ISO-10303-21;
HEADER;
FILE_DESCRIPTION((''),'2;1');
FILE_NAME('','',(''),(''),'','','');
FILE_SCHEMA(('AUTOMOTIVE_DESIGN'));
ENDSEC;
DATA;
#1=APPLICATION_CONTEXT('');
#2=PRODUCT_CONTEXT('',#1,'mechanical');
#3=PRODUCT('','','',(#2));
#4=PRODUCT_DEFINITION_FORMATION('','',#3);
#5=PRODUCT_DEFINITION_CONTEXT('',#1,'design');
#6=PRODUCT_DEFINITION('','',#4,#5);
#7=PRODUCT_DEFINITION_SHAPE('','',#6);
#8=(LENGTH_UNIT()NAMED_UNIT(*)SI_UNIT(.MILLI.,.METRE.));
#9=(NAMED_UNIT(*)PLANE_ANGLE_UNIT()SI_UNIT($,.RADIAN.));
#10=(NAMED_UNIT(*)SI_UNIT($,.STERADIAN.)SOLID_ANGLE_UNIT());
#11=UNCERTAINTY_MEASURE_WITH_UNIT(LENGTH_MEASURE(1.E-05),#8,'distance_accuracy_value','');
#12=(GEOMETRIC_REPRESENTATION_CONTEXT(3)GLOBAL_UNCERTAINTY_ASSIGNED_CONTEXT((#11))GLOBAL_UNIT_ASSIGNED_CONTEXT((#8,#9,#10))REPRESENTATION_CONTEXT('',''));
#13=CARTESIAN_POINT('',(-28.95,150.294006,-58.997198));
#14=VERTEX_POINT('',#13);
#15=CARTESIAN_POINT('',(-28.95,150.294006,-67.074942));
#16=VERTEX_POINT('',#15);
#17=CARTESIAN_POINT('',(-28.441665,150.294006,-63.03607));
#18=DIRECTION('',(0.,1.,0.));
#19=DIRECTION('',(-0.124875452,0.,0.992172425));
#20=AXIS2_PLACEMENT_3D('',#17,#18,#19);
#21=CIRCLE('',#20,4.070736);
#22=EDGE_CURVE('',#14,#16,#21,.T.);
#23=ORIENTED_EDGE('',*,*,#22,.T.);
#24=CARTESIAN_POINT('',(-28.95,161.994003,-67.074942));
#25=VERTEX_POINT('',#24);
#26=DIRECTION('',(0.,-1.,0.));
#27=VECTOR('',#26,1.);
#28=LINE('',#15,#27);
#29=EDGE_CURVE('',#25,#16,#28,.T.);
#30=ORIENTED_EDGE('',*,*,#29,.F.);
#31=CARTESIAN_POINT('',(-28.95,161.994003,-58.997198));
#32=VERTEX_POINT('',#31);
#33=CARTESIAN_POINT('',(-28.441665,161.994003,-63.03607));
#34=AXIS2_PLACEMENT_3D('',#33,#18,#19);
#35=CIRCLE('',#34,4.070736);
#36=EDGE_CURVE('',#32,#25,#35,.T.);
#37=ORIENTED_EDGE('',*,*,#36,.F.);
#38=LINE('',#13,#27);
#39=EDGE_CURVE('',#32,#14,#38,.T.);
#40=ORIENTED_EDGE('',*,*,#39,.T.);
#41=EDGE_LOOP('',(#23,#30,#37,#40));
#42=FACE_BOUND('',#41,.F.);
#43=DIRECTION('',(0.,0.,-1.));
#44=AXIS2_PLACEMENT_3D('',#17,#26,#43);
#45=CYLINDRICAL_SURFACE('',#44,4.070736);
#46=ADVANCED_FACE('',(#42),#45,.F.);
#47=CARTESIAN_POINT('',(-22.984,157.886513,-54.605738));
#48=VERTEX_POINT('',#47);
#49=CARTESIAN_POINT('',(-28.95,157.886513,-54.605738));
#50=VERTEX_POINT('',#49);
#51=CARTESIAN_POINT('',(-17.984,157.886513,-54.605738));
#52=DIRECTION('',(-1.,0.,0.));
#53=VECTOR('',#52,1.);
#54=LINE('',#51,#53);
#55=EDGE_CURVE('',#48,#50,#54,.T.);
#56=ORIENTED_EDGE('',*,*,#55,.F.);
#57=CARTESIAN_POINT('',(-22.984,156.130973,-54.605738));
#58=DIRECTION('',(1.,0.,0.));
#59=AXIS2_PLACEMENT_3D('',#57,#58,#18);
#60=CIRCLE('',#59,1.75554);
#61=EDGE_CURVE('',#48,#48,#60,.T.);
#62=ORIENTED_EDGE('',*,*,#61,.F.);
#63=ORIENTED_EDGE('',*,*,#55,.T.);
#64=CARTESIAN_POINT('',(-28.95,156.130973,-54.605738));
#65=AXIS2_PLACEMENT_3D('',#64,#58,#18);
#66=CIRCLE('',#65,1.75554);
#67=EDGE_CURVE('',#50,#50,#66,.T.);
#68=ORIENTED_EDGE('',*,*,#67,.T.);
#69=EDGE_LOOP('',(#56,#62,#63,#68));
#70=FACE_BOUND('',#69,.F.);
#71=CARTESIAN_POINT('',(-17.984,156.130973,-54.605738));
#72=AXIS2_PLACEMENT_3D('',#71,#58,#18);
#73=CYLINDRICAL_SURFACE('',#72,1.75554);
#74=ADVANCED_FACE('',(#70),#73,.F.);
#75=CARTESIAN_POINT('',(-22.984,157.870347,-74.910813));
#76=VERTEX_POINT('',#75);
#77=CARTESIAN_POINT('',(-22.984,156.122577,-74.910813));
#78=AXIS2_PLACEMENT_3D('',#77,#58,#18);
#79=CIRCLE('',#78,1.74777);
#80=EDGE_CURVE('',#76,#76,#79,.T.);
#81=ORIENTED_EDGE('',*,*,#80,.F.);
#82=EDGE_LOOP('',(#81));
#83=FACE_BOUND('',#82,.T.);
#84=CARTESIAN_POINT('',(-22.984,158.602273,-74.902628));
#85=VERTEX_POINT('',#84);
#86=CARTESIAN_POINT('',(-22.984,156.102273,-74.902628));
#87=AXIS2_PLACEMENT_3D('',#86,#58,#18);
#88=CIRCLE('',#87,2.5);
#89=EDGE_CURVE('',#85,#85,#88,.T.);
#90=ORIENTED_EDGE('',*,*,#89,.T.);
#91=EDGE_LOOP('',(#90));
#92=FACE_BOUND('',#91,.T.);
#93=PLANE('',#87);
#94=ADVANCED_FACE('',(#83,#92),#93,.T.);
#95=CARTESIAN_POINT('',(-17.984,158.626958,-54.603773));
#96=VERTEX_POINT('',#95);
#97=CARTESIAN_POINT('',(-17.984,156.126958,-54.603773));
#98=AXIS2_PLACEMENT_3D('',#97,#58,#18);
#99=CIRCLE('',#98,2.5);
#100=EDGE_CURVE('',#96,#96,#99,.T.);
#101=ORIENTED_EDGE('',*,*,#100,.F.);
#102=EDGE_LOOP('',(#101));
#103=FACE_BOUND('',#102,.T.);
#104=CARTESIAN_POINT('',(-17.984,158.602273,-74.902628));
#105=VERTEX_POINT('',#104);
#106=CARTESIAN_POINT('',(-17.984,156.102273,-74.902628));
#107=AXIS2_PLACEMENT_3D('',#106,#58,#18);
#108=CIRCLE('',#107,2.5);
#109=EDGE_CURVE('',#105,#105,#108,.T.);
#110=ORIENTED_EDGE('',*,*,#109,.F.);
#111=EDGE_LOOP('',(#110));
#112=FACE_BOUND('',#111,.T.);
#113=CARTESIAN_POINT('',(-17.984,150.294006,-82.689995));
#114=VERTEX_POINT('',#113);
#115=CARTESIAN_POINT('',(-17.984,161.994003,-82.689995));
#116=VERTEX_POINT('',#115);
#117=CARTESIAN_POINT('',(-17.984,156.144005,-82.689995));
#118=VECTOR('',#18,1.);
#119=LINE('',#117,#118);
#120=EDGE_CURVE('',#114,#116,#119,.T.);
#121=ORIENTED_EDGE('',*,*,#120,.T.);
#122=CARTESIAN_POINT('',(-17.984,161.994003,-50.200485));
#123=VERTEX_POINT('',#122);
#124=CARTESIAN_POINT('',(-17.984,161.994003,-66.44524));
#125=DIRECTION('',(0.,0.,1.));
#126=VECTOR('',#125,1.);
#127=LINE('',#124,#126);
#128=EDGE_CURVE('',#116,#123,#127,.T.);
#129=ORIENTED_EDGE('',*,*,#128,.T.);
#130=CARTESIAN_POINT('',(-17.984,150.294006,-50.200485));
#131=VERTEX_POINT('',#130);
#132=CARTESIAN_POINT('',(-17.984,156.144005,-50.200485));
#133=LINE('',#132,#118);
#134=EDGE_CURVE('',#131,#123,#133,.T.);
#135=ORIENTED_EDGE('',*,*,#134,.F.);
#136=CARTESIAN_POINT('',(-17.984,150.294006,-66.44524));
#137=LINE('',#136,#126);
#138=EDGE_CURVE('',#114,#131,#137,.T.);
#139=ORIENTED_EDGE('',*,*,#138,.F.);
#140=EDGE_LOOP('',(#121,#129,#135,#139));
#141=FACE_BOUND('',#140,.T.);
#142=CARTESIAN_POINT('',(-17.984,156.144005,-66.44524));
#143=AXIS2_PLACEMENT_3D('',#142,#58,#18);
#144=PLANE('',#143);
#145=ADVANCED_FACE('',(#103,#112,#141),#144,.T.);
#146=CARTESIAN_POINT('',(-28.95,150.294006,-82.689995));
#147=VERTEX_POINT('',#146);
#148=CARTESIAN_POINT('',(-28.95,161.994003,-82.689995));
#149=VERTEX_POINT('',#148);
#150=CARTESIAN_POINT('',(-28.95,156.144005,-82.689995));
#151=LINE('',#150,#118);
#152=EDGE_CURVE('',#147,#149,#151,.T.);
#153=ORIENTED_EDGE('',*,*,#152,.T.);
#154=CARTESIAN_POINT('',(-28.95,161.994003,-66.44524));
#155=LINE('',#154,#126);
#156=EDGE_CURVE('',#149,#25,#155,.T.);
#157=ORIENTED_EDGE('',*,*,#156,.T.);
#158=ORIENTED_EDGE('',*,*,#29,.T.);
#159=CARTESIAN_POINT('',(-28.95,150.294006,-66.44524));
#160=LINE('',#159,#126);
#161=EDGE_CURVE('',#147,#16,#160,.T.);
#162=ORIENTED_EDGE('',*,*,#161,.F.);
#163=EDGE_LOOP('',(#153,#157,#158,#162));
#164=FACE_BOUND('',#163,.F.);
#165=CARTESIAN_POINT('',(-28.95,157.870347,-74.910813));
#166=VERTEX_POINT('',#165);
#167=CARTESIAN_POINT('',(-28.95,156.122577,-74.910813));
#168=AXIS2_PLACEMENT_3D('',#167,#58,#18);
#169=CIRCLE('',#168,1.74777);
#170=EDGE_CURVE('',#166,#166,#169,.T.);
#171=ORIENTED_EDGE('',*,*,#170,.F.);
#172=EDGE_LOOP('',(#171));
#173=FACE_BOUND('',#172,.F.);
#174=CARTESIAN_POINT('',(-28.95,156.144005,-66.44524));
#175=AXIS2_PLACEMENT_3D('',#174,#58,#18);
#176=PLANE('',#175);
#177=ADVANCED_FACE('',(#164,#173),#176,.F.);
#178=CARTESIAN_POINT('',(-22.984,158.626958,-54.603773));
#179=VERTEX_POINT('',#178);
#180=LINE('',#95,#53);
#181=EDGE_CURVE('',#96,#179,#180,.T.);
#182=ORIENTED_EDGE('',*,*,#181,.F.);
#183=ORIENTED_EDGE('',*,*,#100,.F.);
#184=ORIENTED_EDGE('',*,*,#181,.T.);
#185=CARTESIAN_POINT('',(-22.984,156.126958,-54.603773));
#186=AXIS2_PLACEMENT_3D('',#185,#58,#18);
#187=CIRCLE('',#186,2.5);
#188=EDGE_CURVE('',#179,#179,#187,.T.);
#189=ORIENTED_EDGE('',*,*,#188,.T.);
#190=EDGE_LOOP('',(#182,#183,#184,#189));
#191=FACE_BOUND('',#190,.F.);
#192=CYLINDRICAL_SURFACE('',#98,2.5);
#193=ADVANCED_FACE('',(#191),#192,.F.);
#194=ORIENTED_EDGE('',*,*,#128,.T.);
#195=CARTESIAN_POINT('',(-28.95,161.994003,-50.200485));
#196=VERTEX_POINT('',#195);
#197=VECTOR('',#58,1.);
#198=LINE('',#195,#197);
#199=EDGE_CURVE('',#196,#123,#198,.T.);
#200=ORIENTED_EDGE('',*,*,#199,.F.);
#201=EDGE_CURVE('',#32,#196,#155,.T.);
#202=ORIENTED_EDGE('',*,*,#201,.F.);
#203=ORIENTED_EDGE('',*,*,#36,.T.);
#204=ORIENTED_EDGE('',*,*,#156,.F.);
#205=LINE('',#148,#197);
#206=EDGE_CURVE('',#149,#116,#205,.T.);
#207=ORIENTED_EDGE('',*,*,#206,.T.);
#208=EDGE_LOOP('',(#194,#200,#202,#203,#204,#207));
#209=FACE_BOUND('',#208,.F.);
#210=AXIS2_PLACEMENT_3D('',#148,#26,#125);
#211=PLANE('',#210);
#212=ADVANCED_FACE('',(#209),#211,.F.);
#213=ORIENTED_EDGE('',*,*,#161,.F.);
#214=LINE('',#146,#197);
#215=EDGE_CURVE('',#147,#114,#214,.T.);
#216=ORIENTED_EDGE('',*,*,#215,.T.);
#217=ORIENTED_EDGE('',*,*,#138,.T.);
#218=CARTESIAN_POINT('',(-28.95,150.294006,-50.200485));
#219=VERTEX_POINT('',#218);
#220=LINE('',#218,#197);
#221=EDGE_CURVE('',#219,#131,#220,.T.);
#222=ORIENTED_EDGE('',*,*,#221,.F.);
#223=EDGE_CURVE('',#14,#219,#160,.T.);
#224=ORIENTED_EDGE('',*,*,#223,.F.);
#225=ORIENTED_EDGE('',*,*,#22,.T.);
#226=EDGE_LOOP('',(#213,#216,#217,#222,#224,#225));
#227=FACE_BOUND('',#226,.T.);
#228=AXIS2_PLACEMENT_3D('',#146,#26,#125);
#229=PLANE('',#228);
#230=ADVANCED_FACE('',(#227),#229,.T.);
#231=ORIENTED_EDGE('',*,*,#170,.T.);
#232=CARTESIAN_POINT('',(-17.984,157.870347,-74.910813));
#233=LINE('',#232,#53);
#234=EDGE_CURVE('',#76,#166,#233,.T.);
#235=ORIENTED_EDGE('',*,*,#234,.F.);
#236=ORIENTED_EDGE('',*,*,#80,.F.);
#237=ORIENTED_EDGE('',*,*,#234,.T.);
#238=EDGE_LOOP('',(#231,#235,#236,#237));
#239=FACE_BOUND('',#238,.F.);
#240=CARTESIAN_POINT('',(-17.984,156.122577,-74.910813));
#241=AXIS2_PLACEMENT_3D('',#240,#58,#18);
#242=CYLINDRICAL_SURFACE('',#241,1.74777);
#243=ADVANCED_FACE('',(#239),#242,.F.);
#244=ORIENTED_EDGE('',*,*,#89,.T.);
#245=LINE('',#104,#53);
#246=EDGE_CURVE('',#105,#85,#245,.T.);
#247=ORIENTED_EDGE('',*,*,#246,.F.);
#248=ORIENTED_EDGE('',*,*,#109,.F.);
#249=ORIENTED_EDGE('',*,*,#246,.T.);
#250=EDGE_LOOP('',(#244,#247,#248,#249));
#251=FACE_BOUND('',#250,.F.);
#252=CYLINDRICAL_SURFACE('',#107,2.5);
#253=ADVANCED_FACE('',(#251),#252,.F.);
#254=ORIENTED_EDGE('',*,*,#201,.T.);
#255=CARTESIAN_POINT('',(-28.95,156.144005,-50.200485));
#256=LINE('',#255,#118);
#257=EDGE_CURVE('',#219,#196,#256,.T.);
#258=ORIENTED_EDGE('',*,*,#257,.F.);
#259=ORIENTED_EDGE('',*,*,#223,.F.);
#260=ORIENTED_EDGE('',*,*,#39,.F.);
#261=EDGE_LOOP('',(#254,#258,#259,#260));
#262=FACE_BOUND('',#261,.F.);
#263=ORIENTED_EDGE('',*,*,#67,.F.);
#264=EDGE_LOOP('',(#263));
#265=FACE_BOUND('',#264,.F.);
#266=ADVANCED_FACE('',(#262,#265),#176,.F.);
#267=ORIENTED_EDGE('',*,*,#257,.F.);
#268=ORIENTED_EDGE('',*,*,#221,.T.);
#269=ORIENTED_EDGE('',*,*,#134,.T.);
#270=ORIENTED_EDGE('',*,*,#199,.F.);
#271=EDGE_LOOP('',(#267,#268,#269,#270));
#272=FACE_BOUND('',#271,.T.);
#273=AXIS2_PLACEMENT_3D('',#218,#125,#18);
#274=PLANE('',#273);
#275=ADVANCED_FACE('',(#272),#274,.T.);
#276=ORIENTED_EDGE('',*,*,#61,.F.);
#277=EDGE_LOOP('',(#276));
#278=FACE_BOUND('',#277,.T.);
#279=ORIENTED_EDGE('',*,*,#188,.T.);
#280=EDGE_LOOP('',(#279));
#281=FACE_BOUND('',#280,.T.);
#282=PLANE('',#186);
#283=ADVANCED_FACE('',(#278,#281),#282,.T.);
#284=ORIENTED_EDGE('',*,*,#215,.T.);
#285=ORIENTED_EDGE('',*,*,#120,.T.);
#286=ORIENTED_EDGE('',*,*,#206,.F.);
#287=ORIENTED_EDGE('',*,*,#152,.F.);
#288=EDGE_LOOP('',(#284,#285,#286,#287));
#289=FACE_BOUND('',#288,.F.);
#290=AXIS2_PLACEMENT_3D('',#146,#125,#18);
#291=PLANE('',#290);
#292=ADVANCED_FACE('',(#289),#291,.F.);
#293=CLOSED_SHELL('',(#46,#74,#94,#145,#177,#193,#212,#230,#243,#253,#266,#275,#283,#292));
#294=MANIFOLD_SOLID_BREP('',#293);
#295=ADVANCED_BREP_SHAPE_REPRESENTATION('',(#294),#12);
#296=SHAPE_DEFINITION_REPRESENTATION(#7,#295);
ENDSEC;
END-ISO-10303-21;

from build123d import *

# Parameters (mm, degrees)
SKETCH_W        = 11.699997
SKETCH_H        = 32.48951
PAD_DEPTH       = 10.966
SKETCH001_R     = 4.070736
POCKET_DEPTH    = 56
SKETCH002_R     = 1.75554
SKETCH002_R_2   = 1.74777
POCKET001_DEPTH = 71
SKETCH003_R     = 2.5
POCKET002_DEPTH = 5


with BuildPart() as part:
    # Sketch → Pad (new body)
    with BuildSketch(Plane.YZ.offset(-28.95)):
        with Locations((-5.855995, -66.44524)):
            Rectangle(SKETCH_W, SKETCH_H)
    extrude(amount=PAD_DEPTH)

    # Sketch001 (on Face1 of Pad) → Pocket (cut)
    with BuildSketch(Plane(origin=(0, -11.705994, 0), x_dir=(0, 0, -1), z_dir=(0, -1, 0))):
        with Locations((63.03607, -28.441665)):
            Circle(SKETCH001_R)
    extrude(amount=-POCKET_DEPTH, mode=Mode.SUBTRACT)

    # Sketch002 (on Face5 of Pocket) → Pocket001 (cut)
    with BuildSketch(Plane.YZ.offset(-17.984)):
        with Locations((-5.869027, -54.605738)):
            Circle(SKETCH002_R)
        with Locations((-5.877423, -74.910813)):
            Circle(SKETCH002_R_2)
    extrude(amount=-POCKET001_DEPTH, mode=Mode.SUBTRACT)

    # Sketch003 (on Face6 of Pocket001) → Pocket002 (cut)
    with BuildSketch(Plane.YZ.offset(-17.984)):
        with Locations((-5.873042, -54.603773)):
            Circle(SKETCH003_R)
        with Locations((-5.897727, -74.902628)):
            Circle(SKETCH003_R)
    extrude(amount=-POCKET002_DEPTH, mode=Mode.SUBTRACT)


with BuildPart() as part_1:
    # Body placement: moved
    add(part.part.moved(Location((0, 162, 0))))


solid = part_1.part
